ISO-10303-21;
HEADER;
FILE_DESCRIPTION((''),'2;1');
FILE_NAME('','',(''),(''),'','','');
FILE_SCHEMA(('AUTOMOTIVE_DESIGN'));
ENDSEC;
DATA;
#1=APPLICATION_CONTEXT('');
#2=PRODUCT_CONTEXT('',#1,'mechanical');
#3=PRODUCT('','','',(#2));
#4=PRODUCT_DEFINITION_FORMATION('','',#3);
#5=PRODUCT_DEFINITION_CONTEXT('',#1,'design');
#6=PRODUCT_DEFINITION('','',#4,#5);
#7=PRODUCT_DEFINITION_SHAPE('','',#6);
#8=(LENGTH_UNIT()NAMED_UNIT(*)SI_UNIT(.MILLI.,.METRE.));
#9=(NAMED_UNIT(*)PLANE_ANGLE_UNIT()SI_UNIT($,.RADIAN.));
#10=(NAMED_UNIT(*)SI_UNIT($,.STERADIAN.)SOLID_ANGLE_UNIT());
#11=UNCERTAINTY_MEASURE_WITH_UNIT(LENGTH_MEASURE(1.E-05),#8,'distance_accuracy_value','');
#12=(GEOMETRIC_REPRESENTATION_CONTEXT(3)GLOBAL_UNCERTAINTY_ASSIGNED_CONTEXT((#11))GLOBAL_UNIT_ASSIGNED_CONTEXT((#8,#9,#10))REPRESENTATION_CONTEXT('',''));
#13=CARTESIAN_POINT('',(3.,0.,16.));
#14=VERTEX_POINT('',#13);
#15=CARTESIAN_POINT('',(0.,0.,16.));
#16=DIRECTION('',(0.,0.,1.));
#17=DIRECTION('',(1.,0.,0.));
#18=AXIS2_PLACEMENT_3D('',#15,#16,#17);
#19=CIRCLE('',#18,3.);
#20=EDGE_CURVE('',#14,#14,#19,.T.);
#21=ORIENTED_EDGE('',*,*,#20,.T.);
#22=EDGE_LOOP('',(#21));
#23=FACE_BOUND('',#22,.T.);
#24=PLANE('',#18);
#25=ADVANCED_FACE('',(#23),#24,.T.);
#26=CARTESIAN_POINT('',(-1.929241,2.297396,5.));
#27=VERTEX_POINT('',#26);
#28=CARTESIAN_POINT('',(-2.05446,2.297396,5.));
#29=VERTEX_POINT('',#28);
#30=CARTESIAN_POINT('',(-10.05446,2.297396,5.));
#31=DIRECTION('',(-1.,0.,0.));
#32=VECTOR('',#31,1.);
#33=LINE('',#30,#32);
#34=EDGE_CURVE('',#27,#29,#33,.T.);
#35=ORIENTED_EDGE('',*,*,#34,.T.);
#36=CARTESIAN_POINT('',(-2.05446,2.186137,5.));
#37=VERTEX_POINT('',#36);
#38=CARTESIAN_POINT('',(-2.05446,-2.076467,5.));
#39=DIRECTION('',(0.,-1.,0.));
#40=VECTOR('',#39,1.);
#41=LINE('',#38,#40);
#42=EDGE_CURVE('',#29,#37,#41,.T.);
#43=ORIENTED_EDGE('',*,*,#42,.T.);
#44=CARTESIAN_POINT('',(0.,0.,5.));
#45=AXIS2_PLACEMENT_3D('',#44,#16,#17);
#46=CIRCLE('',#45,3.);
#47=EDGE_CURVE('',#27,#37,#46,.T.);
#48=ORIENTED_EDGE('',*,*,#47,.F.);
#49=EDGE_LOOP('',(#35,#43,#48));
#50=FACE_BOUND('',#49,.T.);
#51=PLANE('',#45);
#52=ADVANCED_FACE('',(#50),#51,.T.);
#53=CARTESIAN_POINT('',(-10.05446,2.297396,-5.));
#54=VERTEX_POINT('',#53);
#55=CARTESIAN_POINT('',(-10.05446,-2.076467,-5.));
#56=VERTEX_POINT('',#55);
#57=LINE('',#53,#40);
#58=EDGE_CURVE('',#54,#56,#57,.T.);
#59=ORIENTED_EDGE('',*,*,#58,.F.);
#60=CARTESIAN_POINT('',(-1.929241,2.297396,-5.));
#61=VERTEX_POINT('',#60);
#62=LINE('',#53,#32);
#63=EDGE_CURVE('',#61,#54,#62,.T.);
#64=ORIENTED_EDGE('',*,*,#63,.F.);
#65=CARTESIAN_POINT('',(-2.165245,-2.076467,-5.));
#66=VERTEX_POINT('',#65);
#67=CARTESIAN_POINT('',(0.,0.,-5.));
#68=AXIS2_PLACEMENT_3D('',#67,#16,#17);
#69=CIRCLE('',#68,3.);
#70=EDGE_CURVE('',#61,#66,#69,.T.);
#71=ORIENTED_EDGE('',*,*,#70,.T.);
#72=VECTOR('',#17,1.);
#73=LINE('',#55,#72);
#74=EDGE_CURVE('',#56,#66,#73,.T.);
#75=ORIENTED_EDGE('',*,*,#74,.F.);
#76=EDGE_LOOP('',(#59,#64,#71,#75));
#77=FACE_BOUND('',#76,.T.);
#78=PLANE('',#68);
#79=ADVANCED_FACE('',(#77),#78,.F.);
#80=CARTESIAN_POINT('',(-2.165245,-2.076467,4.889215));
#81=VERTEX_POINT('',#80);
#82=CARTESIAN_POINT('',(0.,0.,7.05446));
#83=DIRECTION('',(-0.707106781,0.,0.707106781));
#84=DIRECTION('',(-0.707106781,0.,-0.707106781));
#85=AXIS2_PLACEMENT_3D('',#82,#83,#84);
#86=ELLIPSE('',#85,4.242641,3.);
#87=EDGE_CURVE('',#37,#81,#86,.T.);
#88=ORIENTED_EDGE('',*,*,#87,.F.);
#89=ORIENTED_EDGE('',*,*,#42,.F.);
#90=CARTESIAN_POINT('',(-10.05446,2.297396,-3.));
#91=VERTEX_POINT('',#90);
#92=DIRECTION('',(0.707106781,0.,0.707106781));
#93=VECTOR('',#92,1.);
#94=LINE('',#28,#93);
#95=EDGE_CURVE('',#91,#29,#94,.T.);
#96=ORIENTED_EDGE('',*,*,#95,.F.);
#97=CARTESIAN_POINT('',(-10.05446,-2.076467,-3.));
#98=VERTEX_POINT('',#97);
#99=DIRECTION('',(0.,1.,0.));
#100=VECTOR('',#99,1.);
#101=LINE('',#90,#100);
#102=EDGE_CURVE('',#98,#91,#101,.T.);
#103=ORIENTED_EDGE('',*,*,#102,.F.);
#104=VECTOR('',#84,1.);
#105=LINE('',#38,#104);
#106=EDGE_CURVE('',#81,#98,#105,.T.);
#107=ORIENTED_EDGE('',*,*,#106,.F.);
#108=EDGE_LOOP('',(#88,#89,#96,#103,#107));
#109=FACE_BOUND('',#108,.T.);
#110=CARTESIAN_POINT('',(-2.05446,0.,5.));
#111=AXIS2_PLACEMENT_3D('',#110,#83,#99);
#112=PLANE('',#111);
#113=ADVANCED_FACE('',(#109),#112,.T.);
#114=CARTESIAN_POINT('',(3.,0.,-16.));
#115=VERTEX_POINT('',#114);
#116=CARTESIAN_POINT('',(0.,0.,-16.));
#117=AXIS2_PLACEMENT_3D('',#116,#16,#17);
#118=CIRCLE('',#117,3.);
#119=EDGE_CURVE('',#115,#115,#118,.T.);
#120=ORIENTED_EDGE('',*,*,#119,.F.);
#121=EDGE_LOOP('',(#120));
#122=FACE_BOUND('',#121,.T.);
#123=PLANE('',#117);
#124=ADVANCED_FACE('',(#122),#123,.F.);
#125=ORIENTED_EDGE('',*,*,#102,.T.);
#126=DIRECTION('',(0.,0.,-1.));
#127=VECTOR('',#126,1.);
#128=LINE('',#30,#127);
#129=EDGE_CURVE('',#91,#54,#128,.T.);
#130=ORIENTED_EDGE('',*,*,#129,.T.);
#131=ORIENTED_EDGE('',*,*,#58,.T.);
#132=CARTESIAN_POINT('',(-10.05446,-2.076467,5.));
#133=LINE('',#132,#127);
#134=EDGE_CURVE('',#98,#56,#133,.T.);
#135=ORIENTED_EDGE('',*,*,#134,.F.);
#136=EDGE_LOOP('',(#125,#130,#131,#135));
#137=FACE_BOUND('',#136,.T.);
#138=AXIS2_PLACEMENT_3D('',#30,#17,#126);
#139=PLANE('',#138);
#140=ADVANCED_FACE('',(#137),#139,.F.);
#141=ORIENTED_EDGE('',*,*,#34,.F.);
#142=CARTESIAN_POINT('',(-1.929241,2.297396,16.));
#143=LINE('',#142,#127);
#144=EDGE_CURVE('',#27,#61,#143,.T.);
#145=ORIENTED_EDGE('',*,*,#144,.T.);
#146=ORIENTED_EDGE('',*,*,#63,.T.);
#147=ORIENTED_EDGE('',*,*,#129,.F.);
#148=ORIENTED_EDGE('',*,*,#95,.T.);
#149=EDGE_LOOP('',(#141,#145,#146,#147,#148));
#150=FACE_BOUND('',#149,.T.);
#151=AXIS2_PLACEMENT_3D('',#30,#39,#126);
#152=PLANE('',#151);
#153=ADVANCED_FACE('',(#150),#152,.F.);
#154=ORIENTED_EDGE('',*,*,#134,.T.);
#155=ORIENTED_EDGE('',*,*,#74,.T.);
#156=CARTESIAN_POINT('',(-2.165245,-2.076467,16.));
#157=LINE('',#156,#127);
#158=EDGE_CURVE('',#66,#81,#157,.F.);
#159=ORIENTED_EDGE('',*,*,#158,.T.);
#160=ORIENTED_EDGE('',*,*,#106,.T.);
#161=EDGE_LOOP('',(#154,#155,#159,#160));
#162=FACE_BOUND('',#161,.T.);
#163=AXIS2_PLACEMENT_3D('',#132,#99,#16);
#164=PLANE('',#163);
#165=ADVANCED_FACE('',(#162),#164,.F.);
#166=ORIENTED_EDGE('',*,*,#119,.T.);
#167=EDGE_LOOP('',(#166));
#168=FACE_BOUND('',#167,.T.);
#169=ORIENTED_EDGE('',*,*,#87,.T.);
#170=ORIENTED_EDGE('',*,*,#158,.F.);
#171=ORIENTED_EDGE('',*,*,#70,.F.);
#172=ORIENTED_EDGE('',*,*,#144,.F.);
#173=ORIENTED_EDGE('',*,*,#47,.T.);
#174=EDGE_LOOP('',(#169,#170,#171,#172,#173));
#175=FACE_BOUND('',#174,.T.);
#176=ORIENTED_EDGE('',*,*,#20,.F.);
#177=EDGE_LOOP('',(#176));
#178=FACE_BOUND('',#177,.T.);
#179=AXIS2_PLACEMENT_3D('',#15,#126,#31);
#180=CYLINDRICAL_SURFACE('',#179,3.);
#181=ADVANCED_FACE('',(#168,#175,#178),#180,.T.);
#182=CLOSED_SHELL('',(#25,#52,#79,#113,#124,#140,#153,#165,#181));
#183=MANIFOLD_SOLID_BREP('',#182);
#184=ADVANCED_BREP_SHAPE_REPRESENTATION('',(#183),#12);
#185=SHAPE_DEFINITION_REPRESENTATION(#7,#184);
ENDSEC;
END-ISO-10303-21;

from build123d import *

# Parameters (mm, degrees)
SKETCH_1_R      = 3
EXTRUDE_1_DEPTH = 16
SKETCH_2_W      = 10.054460063
SKETCH_2_H      = 4.37386331
EXTRUDE_2_DEPTH = 5
CHAMFER_1_SIZE  = 8


with BuildPart() as part:
    # 스케치1 → 보스-돌출1 (new, symmetric)
    with BuildSketch(Plane.XY):
        Circle(SKETCH_1_R)
    extrude(amount=EXTRUDE_1_DEPTH, both=True)

    # 스케치2 → 보스-돌출2 (add, symmetric)
    with BuildSketch(Plane.XY):
        with Locations((-5.027230032, 0.110464554)):
            Rectangle(SKETCH_2_W, SKETCH_2_H)
    extrude(amount=EXTRUDE_2_DEPTH, both=True)

    # 모따기1
    chamfer_1_edges = [part.edges().sort_by_distance(p)[0] for p in [
        (-10.054460063, 0.110464554, 5),
    ]]
    chamfer(chamfer_1_edges, length=CHAMFER_1_SIZE)


solid = part.part
